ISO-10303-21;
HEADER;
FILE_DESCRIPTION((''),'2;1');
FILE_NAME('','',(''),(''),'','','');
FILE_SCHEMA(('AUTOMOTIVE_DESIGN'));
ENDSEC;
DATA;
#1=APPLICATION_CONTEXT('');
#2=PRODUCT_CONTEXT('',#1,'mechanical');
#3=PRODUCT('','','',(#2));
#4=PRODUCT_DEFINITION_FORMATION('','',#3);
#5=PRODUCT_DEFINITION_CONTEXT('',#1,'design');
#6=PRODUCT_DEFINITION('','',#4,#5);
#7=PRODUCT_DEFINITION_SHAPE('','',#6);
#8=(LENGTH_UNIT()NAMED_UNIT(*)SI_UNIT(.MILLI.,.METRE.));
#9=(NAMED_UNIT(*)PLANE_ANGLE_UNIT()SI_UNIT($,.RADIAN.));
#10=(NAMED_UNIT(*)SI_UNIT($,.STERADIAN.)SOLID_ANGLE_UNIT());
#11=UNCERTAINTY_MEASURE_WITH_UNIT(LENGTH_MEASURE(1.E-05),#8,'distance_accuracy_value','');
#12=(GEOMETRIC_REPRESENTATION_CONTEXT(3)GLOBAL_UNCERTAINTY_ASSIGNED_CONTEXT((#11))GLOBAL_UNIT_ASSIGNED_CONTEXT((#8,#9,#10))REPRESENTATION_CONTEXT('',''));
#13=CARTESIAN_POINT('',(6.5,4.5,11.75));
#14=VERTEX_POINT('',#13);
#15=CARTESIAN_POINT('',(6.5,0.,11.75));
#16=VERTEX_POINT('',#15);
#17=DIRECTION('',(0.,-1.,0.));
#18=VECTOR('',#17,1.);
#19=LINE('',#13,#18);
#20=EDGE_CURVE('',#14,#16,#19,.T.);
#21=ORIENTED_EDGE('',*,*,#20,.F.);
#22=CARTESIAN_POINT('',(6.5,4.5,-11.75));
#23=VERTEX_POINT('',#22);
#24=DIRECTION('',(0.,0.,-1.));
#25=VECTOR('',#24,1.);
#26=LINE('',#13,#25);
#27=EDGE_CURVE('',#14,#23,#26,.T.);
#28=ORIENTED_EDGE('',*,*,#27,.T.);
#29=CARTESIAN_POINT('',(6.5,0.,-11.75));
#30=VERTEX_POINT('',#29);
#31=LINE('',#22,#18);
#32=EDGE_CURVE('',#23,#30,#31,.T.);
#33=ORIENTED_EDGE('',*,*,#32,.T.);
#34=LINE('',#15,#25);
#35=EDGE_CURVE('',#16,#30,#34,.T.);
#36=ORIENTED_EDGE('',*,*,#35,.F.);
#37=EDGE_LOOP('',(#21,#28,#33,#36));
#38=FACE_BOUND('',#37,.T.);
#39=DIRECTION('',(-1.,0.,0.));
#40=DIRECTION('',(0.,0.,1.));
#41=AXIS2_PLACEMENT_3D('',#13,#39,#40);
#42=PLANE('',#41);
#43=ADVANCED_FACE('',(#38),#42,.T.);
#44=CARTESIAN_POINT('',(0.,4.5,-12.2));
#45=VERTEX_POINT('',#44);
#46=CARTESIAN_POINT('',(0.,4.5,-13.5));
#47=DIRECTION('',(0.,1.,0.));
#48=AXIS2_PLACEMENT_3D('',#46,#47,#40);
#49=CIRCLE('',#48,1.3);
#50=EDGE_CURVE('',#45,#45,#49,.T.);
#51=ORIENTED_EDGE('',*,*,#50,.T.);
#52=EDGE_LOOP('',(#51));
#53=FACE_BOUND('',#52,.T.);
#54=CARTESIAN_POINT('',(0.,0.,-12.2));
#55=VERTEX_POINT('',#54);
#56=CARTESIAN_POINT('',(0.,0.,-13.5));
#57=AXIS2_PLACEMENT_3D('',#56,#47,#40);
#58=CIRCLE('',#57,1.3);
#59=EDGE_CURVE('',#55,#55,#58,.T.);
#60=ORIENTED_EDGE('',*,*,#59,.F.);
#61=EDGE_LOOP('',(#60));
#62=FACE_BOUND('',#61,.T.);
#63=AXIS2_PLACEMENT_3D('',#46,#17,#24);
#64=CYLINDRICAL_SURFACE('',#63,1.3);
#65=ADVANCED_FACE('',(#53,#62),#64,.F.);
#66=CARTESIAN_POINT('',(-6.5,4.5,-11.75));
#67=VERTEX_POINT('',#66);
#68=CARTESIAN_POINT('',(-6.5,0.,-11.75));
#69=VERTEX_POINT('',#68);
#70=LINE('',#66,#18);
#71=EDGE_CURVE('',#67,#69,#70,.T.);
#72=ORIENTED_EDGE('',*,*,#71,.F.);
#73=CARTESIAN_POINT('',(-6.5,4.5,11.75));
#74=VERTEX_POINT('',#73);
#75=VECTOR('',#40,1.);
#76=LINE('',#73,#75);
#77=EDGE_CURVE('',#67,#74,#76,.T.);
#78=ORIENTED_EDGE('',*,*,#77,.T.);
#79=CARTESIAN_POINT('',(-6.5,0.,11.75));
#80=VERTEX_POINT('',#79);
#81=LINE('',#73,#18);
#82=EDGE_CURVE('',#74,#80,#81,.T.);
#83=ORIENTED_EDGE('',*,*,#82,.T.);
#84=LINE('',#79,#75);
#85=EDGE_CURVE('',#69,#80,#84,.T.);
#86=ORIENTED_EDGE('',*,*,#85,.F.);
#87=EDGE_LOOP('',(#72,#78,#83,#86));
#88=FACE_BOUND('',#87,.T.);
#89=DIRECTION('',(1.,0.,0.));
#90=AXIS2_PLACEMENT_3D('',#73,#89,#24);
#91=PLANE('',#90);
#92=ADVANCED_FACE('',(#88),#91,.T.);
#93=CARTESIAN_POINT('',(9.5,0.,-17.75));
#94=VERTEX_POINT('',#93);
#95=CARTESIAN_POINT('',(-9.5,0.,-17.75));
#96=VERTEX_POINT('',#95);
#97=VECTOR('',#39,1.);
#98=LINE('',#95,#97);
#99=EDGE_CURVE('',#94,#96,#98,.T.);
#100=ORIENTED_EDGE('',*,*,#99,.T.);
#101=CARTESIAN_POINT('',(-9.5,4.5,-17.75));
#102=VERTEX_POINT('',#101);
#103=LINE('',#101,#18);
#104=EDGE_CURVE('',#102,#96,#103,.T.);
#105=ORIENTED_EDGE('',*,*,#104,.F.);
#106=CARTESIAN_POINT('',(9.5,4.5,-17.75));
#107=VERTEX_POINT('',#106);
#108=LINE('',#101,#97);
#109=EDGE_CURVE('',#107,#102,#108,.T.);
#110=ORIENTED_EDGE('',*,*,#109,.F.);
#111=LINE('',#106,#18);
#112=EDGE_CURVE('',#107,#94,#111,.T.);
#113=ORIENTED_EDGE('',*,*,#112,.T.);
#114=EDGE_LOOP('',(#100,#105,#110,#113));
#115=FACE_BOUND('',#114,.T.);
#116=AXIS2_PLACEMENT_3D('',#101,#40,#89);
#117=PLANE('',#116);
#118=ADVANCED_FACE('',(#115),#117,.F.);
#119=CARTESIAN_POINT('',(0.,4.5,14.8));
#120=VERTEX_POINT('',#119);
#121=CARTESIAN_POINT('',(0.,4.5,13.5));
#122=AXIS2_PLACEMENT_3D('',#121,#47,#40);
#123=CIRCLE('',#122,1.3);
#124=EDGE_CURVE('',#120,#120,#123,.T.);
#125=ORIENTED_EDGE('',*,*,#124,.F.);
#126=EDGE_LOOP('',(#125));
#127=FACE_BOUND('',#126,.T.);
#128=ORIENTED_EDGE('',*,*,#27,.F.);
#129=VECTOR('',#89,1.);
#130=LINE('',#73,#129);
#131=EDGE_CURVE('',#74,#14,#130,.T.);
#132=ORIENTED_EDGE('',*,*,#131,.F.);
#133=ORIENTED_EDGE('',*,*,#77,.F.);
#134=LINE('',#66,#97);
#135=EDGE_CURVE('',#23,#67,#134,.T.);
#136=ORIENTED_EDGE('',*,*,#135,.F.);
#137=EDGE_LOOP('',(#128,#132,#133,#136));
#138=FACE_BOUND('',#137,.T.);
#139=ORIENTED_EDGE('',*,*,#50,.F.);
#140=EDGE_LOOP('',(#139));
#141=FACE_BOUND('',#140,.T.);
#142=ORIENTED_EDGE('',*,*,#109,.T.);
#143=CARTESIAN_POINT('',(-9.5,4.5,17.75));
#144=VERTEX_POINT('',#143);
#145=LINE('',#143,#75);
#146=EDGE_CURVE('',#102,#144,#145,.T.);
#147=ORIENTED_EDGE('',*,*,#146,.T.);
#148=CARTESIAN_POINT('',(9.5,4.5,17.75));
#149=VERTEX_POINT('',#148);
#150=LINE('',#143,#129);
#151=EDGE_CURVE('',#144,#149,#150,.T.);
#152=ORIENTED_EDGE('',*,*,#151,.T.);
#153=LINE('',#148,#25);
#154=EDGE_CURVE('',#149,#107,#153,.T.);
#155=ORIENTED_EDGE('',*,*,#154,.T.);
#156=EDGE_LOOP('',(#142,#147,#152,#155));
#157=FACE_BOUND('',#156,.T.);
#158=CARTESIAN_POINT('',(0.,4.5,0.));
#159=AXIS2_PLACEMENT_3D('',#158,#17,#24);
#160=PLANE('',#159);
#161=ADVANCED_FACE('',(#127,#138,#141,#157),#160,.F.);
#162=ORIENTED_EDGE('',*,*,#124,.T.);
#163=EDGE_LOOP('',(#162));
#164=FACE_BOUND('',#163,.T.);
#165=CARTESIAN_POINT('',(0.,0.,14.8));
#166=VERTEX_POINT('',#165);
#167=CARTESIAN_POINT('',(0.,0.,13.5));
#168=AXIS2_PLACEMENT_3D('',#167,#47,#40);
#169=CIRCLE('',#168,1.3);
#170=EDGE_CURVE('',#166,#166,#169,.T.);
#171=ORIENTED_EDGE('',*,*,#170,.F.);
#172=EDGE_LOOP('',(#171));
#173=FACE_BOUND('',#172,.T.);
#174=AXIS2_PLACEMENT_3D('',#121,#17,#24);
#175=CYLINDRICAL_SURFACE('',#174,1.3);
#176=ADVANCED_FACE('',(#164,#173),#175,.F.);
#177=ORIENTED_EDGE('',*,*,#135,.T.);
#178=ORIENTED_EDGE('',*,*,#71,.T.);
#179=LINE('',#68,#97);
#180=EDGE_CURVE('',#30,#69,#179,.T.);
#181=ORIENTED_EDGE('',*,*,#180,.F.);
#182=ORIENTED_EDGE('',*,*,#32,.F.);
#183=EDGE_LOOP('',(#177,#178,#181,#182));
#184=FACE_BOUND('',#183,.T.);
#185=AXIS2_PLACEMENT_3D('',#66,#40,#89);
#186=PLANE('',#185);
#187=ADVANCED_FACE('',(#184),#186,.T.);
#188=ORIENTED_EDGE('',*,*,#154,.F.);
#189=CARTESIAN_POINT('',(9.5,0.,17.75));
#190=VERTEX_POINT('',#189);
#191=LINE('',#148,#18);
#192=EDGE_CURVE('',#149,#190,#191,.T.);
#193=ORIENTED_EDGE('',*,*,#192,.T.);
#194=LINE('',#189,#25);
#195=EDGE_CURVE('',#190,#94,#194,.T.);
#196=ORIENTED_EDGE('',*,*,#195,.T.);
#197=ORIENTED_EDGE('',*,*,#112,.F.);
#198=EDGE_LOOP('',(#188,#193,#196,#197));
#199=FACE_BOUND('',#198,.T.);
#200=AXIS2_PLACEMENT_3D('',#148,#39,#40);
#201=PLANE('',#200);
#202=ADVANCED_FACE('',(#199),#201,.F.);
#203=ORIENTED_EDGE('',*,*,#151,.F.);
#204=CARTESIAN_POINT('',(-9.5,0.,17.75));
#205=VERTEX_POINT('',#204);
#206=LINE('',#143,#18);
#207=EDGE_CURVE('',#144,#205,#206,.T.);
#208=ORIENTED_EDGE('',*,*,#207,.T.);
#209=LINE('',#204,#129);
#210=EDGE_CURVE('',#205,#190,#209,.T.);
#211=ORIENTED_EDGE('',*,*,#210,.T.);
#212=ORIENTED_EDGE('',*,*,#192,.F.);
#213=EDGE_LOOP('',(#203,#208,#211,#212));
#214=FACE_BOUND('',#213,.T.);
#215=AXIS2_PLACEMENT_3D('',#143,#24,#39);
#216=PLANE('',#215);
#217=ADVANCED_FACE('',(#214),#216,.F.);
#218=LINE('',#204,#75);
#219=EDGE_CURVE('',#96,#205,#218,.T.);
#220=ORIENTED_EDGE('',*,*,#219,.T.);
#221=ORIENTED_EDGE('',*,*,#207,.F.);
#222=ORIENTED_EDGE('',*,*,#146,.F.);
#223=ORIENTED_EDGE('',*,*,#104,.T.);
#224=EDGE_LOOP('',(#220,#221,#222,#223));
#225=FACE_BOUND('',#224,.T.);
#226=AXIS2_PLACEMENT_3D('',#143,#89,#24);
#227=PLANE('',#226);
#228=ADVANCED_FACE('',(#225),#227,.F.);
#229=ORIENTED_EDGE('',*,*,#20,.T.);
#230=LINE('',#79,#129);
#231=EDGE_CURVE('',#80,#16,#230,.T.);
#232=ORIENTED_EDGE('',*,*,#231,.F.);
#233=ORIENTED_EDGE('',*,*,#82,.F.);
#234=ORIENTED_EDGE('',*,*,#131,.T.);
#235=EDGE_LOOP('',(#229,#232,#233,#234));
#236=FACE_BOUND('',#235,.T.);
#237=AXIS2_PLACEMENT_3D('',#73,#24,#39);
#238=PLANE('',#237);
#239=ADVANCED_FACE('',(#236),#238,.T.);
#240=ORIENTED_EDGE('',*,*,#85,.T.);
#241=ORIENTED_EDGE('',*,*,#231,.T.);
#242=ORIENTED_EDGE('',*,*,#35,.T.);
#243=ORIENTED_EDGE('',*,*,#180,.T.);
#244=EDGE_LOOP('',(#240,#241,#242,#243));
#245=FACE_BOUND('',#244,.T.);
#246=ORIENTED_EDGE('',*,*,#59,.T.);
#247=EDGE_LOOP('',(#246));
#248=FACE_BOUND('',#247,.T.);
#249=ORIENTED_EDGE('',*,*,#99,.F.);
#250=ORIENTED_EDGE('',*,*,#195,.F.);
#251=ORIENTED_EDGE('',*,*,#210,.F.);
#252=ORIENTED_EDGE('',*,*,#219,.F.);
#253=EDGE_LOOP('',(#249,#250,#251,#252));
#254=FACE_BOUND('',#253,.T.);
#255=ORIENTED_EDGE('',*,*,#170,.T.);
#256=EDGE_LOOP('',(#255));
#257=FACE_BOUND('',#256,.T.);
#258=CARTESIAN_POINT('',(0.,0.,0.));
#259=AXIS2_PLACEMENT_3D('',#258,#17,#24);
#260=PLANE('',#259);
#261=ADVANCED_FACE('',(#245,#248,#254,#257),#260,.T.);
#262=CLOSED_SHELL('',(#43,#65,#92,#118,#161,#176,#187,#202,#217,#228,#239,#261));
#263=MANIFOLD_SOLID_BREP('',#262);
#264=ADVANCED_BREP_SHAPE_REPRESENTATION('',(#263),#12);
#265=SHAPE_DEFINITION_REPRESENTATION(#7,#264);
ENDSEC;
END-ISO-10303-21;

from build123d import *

# Parameters (mm, degrees)
SKETCH1_W           = 19
SKETCH1_H           = 35.5
SKETCH1_R           = 1.3
SKETCH1_W_2         = 13
SKETCH1_H_2         = 23.5
BOSS_EXTRUDE1_DEPTH = 4.5


with BuildPart() as part:
    # Sketch1 → Boss-Extrude1 (new body)
    with BuildSketch(Plane(origin=(0, 0, 0), x_dir=(1, 0, 0), z_dir=(0, 1, 0))):
        Rectangle(SKETCH1_W, SKETCH1_H)
        with Locations((0, 13.5)):
            Circle(SKETCH1_R, mode=Mode.SUBTRACT)
        with Locations((0, -13.5)):
            Circle(SKETCH1_R, mode=Mode.SUBTRACT)
        Rectangle(SKETCH1_W_2, SKETCH1_H_2, mode=Mode.SUBTRACT)
    extrude(amount=BOSS_EXTRUDE1_DEPTH)


solid = part.part
